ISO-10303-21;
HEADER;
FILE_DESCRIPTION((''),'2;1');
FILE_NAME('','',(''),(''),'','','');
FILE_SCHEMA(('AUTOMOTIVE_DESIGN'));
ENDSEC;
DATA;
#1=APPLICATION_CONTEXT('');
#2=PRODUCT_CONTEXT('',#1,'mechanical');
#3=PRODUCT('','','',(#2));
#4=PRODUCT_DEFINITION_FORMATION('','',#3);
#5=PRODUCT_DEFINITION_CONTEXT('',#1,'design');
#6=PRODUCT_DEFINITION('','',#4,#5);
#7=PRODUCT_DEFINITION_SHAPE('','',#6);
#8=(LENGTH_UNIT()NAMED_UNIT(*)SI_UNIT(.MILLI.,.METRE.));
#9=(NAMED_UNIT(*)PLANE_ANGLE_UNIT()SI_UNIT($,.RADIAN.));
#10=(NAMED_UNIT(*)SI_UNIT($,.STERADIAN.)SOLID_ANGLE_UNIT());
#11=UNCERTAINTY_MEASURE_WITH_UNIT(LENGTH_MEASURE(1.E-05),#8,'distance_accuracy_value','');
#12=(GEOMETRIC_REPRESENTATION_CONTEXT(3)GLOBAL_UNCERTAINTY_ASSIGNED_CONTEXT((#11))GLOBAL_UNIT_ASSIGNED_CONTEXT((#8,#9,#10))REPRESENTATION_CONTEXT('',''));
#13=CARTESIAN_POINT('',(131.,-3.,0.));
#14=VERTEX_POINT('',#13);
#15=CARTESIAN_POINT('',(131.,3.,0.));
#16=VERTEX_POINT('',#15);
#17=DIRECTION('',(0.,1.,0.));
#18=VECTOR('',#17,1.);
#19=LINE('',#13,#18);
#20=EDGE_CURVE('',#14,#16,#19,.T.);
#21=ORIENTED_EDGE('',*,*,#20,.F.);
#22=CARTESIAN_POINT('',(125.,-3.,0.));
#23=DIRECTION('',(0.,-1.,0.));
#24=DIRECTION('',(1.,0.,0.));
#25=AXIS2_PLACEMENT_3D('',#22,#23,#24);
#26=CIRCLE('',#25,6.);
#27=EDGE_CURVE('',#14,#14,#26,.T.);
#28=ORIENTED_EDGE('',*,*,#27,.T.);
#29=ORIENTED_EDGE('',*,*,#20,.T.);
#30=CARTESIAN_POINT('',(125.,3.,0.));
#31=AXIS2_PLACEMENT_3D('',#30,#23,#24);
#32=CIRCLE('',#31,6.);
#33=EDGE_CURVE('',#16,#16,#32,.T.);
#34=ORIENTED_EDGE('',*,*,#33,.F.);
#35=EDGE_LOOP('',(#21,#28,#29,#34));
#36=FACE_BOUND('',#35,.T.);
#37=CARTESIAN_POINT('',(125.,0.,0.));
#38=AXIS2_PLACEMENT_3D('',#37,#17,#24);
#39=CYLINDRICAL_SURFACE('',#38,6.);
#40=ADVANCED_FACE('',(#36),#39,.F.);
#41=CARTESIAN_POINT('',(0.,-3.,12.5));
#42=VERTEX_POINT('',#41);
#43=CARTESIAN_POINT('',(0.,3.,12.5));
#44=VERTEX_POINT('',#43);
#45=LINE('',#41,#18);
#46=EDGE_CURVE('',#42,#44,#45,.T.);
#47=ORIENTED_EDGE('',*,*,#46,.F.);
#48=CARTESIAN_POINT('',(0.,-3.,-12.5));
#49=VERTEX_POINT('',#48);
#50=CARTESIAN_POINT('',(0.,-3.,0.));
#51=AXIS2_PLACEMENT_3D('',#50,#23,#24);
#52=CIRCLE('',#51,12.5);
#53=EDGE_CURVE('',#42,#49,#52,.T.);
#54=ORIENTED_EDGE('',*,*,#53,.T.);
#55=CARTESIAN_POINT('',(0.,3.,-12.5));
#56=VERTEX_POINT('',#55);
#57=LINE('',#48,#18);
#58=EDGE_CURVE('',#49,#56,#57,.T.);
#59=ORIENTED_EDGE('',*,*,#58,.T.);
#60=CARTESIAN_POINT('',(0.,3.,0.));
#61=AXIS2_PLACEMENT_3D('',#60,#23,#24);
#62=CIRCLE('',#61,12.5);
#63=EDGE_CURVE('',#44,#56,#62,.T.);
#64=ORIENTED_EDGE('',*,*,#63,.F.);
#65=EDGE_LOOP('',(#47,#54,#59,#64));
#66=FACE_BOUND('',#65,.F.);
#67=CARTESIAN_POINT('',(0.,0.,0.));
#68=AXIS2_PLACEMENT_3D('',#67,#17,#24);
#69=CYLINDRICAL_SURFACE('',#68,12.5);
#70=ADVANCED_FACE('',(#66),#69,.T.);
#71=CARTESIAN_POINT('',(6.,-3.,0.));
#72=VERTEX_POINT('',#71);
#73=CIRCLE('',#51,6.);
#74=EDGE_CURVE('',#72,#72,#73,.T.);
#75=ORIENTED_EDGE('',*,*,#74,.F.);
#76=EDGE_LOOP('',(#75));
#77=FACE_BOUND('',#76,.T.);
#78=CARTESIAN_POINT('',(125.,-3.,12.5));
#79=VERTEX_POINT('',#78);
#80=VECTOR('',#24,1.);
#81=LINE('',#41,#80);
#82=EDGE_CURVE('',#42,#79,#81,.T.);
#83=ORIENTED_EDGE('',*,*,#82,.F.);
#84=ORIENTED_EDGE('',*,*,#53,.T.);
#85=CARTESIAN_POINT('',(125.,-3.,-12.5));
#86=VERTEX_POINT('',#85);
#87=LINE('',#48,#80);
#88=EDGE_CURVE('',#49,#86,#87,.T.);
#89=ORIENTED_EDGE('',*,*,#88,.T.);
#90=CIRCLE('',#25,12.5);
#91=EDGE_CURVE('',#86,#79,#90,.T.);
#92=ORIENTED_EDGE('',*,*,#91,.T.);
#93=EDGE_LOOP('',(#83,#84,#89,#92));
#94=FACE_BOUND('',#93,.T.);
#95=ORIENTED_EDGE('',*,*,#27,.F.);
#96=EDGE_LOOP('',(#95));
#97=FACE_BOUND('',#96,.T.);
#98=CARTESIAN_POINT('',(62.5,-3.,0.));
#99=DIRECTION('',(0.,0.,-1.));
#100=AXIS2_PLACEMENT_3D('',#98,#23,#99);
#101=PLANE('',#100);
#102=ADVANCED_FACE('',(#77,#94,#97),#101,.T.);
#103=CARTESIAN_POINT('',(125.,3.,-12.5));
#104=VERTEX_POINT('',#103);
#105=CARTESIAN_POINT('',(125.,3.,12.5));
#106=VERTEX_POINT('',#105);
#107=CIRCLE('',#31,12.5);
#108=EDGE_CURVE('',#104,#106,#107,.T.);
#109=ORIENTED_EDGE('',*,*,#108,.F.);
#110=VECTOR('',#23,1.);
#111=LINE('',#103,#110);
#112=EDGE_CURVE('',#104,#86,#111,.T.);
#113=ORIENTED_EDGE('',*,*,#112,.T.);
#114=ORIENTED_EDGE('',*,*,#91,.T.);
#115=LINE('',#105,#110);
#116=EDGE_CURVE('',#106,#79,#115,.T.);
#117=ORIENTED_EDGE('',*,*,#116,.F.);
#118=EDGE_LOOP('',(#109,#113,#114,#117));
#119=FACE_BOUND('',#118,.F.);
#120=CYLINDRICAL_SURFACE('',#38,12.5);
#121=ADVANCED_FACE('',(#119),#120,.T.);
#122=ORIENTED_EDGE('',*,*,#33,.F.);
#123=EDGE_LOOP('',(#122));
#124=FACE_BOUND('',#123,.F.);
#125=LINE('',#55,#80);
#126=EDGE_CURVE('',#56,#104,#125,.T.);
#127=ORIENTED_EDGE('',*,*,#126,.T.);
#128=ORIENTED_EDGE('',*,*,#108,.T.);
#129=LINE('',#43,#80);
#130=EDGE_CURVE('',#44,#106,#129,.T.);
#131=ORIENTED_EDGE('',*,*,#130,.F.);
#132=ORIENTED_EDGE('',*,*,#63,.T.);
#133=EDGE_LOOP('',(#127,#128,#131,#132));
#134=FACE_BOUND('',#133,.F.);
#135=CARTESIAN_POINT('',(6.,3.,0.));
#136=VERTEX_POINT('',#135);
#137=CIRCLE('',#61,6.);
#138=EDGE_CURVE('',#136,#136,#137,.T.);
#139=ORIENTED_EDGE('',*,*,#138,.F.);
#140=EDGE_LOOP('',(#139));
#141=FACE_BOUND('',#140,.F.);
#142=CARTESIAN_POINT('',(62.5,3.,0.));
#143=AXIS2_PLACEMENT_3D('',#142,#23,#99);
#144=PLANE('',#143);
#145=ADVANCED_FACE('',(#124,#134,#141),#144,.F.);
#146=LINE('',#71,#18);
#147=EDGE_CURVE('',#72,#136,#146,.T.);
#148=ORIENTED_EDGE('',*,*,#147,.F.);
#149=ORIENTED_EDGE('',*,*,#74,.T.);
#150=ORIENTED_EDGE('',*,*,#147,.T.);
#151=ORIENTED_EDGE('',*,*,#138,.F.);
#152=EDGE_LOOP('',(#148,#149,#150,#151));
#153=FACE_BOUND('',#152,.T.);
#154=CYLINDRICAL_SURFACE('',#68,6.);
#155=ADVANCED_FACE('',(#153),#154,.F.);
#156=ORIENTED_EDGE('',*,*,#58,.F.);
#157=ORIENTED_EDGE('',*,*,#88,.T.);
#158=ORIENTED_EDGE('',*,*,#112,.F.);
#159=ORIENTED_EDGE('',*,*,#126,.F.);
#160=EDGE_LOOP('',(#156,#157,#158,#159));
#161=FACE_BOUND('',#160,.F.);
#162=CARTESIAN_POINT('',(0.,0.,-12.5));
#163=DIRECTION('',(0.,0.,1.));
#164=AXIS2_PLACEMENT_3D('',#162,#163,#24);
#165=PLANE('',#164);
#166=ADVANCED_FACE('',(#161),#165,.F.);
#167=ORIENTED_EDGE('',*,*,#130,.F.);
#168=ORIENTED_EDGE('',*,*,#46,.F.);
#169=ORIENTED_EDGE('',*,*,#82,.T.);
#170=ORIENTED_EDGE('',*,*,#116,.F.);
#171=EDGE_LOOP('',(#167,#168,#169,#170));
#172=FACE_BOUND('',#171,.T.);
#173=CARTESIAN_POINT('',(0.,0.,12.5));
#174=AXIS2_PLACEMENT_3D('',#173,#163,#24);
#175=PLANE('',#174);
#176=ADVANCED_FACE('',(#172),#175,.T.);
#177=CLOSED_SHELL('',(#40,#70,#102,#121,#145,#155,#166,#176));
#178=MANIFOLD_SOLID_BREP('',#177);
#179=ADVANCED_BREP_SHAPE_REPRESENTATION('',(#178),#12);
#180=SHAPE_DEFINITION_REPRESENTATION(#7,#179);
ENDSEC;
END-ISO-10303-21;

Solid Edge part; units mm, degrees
sketch "Sketch1" plane through (0, 0, 0) normal (0, -1, 0) x (1, 0, 0)
  line L0 (0, -12.5) -> (125, -12.4999)
  line L1 (0, 12.5) -> (125, 12.4999)
  arc A0 (125, -12.4999) -> (125, 12.4999) centre (125, 0) ccw
  arc A1 (0, 12.5) -> (0, -12.5) centre (0, 0) ccw
  circle A2 centre (125, 0) radius 6
  circle A3 centre (0, 0) radius 6
extrude "Protrusion1" add sketch "Sketch1" along normal mid plane 6
properties part number "7" material "Fe 410 W"
